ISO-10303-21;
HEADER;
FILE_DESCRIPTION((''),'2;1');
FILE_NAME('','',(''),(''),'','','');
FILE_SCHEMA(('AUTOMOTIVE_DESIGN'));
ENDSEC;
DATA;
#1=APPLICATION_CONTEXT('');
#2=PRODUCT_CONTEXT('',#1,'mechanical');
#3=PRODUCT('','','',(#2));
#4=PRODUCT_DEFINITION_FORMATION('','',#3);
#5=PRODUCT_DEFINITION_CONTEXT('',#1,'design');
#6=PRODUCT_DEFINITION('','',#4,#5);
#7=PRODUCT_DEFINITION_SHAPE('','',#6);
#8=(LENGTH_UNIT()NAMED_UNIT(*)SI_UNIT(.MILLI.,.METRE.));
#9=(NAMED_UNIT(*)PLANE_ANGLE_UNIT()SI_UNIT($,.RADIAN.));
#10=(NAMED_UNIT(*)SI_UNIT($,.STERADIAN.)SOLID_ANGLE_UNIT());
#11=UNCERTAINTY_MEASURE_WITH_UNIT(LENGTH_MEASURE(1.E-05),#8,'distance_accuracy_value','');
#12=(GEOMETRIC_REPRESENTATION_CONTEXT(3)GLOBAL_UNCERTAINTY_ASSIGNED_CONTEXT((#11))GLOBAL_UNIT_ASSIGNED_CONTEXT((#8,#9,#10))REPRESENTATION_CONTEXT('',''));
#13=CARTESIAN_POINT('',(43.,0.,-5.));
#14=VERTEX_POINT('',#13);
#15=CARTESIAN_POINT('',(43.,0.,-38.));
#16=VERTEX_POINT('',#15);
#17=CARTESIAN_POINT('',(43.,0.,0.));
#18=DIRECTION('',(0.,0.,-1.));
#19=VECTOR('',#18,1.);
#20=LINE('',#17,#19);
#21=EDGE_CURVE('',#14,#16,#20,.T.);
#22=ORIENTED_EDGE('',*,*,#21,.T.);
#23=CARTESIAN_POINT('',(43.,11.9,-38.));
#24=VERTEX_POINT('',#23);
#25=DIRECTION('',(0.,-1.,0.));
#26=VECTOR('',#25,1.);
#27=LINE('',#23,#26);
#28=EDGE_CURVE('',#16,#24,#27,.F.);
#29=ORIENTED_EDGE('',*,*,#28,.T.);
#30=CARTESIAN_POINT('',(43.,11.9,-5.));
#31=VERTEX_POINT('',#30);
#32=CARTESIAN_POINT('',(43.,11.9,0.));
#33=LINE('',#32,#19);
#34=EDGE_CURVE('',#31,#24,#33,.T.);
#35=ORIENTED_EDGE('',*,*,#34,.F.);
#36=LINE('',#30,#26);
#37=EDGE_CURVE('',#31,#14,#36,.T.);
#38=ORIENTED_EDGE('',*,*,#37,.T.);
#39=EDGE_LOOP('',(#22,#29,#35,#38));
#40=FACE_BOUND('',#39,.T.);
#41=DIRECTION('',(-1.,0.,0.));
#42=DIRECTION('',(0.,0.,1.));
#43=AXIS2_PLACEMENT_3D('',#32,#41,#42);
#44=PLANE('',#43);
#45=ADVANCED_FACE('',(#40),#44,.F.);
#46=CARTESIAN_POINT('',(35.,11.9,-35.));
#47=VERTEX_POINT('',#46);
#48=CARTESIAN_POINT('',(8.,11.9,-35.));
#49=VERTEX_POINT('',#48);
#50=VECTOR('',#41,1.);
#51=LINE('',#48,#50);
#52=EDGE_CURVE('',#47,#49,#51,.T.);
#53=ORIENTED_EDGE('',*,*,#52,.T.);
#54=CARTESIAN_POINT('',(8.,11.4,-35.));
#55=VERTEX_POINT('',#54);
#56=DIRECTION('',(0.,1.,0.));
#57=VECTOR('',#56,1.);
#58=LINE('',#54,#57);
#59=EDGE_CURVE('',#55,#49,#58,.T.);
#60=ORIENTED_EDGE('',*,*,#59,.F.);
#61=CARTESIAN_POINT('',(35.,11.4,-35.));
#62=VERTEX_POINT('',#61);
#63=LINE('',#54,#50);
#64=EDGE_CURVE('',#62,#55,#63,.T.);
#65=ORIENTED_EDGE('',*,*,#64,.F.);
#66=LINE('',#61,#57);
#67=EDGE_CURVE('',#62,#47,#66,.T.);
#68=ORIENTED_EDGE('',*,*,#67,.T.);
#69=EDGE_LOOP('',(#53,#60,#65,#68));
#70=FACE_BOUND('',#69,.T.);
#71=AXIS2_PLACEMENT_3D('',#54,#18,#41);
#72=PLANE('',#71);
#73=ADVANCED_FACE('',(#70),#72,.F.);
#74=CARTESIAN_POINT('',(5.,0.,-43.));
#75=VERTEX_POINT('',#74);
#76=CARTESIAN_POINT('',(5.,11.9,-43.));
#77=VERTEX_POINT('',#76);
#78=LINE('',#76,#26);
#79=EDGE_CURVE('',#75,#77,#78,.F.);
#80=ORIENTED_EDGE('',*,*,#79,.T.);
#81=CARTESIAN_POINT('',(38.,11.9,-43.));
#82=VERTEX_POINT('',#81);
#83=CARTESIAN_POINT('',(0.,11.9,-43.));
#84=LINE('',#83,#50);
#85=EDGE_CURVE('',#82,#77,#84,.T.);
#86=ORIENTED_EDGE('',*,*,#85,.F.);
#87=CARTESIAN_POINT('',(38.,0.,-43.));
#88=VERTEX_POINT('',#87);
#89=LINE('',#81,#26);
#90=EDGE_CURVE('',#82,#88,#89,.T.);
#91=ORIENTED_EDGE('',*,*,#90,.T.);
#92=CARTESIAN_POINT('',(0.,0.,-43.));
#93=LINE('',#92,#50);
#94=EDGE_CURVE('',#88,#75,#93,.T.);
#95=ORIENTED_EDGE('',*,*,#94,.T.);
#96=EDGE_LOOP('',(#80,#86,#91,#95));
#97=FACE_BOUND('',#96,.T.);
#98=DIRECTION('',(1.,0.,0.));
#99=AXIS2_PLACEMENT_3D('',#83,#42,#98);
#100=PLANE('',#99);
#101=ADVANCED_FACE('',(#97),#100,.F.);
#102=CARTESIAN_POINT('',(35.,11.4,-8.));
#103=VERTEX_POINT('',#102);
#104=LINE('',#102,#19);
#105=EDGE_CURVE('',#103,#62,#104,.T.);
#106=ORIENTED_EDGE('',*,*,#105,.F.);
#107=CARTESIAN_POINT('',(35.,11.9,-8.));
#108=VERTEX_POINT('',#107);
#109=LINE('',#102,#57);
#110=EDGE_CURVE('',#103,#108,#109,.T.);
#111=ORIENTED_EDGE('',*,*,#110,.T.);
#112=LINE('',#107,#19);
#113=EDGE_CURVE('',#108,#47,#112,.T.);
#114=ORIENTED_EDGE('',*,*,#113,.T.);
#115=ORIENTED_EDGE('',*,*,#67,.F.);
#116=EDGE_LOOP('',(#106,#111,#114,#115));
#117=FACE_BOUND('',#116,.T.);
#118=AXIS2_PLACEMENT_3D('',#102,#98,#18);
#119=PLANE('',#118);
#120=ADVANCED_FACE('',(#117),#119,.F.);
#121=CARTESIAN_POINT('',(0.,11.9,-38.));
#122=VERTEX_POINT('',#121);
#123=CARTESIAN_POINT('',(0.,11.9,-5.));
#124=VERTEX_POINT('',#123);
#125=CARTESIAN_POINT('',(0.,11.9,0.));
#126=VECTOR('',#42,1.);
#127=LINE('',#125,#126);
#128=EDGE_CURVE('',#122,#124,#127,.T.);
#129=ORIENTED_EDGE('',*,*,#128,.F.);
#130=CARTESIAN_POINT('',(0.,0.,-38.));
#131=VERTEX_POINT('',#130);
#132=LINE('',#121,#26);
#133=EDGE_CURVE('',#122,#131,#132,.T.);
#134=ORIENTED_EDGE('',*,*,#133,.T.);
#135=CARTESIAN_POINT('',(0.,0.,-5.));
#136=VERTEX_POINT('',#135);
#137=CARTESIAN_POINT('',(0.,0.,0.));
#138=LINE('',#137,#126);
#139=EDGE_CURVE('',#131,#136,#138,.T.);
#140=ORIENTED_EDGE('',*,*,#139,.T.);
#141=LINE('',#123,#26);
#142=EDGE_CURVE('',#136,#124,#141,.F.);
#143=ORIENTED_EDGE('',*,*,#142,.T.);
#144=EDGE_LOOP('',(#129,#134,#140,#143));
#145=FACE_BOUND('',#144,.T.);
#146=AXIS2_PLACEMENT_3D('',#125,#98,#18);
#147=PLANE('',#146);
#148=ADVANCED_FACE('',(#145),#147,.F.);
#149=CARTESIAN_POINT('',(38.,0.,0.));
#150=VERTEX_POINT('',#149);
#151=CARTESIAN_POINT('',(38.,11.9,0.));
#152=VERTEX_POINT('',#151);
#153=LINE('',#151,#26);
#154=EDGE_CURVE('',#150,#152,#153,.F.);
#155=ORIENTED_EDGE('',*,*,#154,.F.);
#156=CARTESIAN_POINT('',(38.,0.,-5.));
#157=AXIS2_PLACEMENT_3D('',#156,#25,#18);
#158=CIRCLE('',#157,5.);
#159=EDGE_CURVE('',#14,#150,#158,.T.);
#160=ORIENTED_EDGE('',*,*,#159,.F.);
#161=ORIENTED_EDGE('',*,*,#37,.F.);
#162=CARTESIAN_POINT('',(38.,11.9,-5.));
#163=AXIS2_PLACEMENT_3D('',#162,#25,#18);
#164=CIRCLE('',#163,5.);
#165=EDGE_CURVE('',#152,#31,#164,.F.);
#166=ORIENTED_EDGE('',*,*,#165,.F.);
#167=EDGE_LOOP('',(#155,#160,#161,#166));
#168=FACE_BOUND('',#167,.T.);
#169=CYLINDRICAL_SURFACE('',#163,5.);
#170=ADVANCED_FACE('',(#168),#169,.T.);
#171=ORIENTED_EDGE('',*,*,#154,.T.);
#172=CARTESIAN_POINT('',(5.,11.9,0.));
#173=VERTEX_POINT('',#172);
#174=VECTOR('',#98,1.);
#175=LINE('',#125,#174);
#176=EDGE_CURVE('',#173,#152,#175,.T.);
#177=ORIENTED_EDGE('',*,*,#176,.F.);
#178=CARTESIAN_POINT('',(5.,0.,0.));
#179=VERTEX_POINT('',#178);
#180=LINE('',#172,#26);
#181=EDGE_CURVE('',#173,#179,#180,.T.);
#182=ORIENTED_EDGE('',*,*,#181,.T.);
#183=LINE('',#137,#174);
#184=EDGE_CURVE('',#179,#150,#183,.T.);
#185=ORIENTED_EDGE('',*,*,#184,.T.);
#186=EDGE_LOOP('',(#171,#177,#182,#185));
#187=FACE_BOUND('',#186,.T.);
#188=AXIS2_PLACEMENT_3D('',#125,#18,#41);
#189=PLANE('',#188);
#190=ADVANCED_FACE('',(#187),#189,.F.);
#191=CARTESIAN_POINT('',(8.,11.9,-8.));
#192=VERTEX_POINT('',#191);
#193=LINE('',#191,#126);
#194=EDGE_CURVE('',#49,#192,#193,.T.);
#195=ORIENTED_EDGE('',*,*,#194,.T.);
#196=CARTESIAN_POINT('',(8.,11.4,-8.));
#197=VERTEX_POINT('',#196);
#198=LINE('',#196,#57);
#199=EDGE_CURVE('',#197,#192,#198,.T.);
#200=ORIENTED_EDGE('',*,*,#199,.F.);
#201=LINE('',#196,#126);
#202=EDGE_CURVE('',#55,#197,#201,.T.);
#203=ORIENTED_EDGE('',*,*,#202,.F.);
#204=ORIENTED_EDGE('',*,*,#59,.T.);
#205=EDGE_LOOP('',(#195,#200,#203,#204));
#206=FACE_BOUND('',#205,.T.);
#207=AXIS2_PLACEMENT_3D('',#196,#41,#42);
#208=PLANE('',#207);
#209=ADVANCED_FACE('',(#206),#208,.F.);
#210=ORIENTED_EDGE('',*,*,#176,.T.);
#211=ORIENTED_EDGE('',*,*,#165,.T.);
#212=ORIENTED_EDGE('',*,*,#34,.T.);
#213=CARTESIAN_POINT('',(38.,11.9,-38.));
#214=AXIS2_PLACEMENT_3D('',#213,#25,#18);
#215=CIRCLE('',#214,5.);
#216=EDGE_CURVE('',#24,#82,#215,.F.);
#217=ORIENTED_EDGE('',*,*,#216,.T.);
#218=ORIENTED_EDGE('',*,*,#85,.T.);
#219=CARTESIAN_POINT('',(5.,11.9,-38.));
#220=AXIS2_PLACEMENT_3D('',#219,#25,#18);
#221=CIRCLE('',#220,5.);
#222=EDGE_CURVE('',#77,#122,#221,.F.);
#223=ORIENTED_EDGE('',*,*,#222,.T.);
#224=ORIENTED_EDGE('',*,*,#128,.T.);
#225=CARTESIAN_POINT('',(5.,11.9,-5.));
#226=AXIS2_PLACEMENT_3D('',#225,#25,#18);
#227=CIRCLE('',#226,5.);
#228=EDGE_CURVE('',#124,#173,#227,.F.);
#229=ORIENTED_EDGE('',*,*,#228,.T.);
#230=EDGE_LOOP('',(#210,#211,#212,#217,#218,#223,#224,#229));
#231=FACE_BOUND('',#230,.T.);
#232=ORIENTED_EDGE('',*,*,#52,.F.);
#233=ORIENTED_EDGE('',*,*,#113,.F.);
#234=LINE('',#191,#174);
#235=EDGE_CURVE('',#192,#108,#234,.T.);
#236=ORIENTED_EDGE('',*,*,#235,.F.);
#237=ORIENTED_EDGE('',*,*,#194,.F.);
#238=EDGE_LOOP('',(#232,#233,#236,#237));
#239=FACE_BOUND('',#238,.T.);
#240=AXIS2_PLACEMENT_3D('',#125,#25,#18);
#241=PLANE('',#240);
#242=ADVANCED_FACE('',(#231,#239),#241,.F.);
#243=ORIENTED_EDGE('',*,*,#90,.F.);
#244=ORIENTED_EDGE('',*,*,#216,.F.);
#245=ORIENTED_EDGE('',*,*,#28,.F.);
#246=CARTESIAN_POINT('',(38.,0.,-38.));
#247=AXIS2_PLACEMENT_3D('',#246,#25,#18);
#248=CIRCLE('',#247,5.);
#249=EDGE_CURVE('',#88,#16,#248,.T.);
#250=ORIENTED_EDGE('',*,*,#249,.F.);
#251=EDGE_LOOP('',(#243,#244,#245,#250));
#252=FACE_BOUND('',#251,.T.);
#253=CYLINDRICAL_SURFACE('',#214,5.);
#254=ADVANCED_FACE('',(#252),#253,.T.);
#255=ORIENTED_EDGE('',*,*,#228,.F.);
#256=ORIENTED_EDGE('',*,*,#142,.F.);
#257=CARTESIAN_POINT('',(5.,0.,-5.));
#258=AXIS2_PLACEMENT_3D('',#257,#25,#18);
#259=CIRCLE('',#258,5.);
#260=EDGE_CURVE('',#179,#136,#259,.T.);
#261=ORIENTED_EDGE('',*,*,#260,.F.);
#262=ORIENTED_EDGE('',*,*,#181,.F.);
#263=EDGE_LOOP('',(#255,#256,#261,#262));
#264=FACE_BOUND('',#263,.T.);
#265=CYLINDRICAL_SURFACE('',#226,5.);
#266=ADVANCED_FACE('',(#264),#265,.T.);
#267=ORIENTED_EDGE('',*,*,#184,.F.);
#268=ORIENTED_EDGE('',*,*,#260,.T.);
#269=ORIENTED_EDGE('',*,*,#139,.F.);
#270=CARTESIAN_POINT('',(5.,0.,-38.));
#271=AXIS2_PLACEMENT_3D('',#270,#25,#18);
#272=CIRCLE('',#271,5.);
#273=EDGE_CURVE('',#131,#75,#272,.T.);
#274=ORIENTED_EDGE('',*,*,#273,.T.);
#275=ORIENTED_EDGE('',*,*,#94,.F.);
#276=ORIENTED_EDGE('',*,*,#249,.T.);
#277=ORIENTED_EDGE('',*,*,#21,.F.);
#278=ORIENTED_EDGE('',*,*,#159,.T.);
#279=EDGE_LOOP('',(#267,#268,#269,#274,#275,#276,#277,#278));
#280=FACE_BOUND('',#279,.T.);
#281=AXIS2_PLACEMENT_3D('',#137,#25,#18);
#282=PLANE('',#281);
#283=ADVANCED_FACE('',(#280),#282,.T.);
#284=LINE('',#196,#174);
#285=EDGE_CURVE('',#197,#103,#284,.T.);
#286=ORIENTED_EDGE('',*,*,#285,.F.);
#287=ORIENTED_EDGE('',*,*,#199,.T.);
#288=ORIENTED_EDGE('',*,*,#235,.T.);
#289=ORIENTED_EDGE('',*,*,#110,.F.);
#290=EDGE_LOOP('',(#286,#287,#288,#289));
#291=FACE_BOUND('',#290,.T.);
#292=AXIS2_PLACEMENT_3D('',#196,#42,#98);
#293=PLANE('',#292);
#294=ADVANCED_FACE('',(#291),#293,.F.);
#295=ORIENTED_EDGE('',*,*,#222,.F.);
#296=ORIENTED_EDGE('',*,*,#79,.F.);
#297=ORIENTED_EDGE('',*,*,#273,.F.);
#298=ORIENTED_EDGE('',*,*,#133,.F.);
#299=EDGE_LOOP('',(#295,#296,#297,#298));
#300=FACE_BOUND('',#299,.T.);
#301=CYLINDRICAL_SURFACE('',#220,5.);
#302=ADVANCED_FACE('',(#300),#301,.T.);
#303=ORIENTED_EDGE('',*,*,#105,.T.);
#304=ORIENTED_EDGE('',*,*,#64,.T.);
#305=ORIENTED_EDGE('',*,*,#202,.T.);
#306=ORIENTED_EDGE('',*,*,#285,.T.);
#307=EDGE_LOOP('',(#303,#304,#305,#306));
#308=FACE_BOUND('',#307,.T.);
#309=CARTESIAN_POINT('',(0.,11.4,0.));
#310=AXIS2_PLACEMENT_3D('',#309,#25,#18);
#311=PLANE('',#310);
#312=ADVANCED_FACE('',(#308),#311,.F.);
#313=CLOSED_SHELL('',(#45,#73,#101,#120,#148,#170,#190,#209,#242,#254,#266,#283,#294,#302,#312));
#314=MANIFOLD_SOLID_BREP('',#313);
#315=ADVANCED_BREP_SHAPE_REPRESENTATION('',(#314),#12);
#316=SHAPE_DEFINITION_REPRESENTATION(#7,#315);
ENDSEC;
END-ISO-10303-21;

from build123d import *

# Parameters (mm, degrees)
CROQUIS1_W              = 43
CROQUIS1_H              = 43
SALIENTE_EXTRUIR1_DEPTH = 11.9
CROQUIS2_W              = 27
CROQUIS2_H              = 27
CORTAR_EXTRUIR1_DEPTH   = 0.5
REDONDEO1_R             = 5


with BuildPart() as part:
    # Croquis1 → Saliente-Extruir1 (new body)
    with BuildSketch(Plane(origin=(0, 0, 0), x_dir=(1, 0, 0), z_dir=(0, 1, 0))):
        with Locations((21.5, 21.5)):
            Rectangle(CROQUIS1_W, CROQUIS1_H)
    extrude(amount=SALIENTE_EXTRUIR1_DEPTH)

    # Croquis2 → Cortar-Extruir1 (cut)
    with BuildSketch(Plane(origin=(0, 11.9, 0), x_dir=(1, 0, 0), z_dir=(0, 1, 0))):
        with Locations((21.5, 21.5)):
            Rectangle(CROQUIS2_W, CROQUIS2_H)
    extrude(amount=-CORTAR_EXTRUIR1_DEPTH, mode=Mode.SUBTRACT)

    # Redondeo1
    redondeo1_edges = [part.edges().sort_by_distance(p)[0] for p in [
        (0, 5.95, -43),
        (43, 5.95, -43),
        (43, 5.95, 0),
        (0, 5.95, 0),
    ]]
    fillet(redondeo1_edges, radius=REDONDEO1_R)


solid = part.part
